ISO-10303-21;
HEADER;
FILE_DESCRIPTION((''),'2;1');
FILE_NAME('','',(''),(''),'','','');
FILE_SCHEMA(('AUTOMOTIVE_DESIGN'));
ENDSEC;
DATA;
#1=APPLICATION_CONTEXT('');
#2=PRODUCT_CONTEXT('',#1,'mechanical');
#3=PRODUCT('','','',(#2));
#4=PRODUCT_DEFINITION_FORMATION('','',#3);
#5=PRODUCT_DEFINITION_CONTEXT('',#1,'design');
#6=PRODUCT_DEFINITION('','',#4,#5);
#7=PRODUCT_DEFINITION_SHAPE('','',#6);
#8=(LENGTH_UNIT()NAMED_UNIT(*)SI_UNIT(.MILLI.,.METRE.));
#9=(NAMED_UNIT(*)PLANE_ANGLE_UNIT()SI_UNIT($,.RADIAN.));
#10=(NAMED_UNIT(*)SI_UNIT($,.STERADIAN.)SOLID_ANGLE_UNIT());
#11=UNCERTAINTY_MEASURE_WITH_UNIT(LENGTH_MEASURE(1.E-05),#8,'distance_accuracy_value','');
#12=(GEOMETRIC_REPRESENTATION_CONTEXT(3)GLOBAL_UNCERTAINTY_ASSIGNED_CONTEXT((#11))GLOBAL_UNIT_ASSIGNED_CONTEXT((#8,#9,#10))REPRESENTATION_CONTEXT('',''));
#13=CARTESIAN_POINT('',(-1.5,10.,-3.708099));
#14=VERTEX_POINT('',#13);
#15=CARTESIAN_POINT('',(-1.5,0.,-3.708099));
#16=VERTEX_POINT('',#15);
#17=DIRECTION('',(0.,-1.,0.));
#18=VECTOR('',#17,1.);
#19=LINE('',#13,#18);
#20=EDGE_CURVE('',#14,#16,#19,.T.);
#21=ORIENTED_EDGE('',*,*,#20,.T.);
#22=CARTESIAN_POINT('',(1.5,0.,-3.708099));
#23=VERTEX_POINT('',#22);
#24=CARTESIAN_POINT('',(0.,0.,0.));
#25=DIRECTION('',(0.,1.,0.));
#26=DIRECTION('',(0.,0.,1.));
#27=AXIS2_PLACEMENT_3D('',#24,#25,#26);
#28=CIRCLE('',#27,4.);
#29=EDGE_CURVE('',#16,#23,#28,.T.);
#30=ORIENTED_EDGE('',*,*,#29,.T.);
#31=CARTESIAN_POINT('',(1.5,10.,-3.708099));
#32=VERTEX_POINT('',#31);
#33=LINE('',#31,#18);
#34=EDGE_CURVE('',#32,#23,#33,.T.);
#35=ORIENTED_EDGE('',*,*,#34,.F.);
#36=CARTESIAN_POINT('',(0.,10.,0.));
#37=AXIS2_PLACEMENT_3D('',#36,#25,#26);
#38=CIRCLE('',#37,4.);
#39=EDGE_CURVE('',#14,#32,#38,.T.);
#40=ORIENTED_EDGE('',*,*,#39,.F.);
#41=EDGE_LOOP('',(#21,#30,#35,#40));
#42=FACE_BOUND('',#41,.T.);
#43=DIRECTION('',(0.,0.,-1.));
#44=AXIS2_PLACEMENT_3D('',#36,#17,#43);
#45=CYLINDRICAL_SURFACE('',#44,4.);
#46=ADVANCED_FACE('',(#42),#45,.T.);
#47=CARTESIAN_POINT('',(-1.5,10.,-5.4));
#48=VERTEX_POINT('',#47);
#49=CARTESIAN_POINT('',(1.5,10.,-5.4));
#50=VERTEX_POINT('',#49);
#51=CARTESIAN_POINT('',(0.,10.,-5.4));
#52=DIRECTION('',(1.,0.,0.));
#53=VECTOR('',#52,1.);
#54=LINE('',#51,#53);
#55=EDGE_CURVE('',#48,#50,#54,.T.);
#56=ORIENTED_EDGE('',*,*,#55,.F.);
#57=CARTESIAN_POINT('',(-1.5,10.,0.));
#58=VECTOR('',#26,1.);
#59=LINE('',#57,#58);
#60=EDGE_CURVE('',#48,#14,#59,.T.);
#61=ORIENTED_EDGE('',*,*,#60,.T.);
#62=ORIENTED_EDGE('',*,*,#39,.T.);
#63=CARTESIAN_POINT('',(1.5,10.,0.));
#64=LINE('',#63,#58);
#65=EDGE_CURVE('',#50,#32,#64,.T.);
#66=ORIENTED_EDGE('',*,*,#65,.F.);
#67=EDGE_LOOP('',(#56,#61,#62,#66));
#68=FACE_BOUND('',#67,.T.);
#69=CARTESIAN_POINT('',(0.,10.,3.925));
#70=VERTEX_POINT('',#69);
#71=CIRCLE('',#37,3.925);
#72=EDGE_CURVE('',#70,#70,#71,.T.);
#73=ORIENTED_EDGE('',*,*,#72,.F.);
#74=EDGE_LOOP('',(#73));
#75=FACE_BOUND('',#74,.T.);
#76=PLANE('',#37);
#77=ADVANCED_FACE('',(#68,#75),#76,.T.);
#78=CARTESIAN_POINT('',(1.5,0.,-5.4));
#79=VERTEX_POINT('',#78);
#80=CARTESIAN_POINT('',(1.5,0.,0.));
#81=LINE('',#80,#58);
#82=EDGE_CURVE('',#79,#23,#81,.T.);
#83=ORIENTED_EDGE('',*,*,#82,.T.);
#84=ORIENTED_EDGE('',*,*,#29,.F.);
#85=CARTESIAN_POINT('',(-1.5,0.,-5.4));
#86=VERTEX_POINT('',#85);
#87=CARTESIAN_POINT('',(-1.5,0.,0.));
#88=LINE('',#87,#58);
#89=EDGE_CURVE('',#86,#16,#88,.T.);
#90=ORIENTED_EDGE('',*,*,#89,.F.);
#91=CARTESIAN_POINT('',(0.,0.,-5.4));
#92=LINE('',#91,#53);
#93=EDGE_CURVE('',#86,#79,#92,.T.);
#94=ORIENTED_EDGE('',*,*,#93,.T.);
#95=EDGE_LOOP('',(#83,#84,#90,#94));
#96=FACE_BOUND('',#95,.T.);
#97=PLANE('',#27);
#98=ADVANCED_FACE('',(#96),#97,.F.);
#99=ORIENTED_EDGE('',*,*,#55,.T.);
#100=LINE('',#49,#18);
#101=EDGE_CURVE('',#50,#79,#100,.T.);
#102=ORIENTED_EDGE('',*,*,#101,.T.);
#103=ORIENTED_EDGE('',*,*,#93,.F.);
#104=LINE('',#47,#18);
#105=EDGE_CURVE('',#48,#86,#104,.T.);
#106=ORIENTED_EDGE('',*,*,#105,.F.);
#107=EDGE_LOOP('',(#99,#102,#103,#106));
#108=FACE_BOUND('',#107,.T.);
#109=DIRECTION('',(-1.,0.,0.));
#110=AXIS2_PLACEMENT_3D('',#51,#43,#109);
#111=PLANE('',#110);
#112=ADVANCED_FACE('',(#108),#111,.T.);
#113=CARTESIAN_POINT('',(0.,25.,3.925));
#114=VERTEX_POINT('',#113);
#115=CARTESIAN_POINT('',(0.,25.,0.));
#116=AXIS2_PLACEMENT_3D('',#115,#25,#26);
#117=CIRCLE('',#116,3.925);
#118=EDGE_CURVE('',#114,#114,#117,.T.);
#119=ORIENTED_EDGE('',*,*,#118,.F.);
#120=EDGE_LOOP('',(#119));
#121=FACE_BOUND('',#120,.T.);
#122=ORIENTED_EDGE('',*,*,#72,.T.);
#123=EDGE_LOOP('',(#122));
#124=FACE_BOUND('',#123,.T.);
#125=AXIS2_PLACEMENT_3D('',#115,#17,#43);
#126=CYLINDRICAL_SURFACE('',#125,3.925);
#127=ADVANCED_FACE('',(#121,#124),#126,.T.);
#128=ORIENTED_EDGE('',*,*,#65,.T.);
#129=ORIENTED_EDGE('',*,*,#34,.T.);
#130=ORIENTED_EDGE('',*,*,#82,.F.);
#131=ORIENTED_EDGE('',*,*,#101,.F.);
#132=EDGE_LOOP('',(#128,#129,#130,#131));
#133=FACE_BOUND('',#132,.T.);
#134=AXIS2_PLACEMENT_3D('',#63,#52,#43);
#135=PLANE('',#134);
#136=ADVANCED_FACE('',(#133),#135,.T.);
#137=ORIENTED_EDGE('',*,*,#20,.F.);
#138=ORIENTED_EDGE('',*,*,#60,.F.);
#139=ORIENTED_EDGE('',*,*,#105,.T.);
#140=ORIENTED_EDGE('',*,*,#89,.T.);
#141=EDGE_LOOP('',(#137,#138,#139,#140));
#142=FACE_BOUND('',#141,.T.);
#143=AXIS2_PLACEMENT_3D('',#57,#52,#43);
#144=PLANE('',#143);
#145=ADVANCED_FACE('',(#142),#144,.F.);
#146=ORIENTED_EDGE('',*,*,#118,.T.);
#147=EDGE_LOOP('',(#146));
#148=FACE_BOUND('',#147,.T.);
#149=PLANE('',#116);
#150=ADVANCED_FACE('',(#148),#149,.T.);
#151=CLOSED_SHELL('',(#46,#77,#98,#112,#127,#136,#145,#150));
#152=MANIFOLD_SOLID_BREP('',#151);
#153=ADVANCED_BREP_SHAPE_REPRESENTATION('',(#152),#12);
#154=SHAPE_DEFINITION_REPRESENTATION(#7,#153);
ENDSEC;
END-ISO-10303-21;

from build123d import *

# Parameters (mm, degrees)
EXTRUDE_1_DEPTH = 10
SKETCH_3_R      = 3.925
EXTRUDE_2_DEPTH = 15


with BuildPart() as part:
    # 草图1 → 凸台-拉伸1 (new body)
    with BuildSketch(Plane(origin=(0, 0, 0), x_dir=(1, 0, 0), z_dir=(0, 1, 0))):
        with BuildLine():
            ThreePointArc((1.5, 3.708099244), (0, 4), (-1.5, 3.708099244))
            Line((-1.5, 3.708099244), (-1.5, 0))
            Line((-1.5, 0), (1.5, 0))
            Line((1.5, 0), (1.5, 3.708099244))
        make_face()
        with BuildLine():
            Line((-1.5, 0), (-1.5, 3.708099244))
            ThreePointArc((-1.5, 3.708099244), (-2.236067977, -3.31662479), (4, 0))
            ThreePointArc((4, 0), (3.31662479, 2.236067977), (1.5, 3.708099244))
            Line((1.5, 3.708099244), (1.5, 0))
            Line((1.5, 0), (-1.5, 0))
        make_face()
        with BuildLine():
            ThreePointArc((1.5, 3.708099244), (0, 4), (-1.5, 3.708099244))
            Line((-1.5, 3.708099244), (-1.5, 0))
            Line((-1.5, 0), (1.5, 0))
            Line((1.5, 0), (1.5, 3.708099244))
        make_face()
        with BuildLine():
            Line((-1.5, 0), (-1.5, 3.708099244))
            ThreePointArc((-1.5, 3.708099244), (-2.236067977, -3.31662479), (4, 0))
            ThreePointArc((4, 0), (3.31662479, 2.236067977), (1.5, 3.708099244))
            Line((1.5, 3.708099244), (1.5, 0))
            Line((1.5, 0), (-1.5, 0))
        make_face()
        with BuildLine():
            Line((1.5, 5.4), (-1.5, 5.4))
            Line((-1.5, 5.4), (-1.5, 3.708099244))
            ThreePointArc((-1.5, 3.708099244), (0, 4), (1.5, 3.708099244))
            Line((1.5, 3.708099244), (1.5, 5.4))
        make_face()
    extrude(amount=EXTRUDE_1_DEPTH)

    # 草图3 → 凸台-拉伸2 (add)
    with BuildSketch(Plane(origin=(0, 10, 0), x_dir=(1, 0, 0), z_dir=(0, 1, 0))):
        with Locations(Location((0, 0, 0), (0, 0, 270))):
            Circle(SKETCH_3_R)
    extrude(amount=EXTRUDE_2_DEPTH)


solid = part.part
